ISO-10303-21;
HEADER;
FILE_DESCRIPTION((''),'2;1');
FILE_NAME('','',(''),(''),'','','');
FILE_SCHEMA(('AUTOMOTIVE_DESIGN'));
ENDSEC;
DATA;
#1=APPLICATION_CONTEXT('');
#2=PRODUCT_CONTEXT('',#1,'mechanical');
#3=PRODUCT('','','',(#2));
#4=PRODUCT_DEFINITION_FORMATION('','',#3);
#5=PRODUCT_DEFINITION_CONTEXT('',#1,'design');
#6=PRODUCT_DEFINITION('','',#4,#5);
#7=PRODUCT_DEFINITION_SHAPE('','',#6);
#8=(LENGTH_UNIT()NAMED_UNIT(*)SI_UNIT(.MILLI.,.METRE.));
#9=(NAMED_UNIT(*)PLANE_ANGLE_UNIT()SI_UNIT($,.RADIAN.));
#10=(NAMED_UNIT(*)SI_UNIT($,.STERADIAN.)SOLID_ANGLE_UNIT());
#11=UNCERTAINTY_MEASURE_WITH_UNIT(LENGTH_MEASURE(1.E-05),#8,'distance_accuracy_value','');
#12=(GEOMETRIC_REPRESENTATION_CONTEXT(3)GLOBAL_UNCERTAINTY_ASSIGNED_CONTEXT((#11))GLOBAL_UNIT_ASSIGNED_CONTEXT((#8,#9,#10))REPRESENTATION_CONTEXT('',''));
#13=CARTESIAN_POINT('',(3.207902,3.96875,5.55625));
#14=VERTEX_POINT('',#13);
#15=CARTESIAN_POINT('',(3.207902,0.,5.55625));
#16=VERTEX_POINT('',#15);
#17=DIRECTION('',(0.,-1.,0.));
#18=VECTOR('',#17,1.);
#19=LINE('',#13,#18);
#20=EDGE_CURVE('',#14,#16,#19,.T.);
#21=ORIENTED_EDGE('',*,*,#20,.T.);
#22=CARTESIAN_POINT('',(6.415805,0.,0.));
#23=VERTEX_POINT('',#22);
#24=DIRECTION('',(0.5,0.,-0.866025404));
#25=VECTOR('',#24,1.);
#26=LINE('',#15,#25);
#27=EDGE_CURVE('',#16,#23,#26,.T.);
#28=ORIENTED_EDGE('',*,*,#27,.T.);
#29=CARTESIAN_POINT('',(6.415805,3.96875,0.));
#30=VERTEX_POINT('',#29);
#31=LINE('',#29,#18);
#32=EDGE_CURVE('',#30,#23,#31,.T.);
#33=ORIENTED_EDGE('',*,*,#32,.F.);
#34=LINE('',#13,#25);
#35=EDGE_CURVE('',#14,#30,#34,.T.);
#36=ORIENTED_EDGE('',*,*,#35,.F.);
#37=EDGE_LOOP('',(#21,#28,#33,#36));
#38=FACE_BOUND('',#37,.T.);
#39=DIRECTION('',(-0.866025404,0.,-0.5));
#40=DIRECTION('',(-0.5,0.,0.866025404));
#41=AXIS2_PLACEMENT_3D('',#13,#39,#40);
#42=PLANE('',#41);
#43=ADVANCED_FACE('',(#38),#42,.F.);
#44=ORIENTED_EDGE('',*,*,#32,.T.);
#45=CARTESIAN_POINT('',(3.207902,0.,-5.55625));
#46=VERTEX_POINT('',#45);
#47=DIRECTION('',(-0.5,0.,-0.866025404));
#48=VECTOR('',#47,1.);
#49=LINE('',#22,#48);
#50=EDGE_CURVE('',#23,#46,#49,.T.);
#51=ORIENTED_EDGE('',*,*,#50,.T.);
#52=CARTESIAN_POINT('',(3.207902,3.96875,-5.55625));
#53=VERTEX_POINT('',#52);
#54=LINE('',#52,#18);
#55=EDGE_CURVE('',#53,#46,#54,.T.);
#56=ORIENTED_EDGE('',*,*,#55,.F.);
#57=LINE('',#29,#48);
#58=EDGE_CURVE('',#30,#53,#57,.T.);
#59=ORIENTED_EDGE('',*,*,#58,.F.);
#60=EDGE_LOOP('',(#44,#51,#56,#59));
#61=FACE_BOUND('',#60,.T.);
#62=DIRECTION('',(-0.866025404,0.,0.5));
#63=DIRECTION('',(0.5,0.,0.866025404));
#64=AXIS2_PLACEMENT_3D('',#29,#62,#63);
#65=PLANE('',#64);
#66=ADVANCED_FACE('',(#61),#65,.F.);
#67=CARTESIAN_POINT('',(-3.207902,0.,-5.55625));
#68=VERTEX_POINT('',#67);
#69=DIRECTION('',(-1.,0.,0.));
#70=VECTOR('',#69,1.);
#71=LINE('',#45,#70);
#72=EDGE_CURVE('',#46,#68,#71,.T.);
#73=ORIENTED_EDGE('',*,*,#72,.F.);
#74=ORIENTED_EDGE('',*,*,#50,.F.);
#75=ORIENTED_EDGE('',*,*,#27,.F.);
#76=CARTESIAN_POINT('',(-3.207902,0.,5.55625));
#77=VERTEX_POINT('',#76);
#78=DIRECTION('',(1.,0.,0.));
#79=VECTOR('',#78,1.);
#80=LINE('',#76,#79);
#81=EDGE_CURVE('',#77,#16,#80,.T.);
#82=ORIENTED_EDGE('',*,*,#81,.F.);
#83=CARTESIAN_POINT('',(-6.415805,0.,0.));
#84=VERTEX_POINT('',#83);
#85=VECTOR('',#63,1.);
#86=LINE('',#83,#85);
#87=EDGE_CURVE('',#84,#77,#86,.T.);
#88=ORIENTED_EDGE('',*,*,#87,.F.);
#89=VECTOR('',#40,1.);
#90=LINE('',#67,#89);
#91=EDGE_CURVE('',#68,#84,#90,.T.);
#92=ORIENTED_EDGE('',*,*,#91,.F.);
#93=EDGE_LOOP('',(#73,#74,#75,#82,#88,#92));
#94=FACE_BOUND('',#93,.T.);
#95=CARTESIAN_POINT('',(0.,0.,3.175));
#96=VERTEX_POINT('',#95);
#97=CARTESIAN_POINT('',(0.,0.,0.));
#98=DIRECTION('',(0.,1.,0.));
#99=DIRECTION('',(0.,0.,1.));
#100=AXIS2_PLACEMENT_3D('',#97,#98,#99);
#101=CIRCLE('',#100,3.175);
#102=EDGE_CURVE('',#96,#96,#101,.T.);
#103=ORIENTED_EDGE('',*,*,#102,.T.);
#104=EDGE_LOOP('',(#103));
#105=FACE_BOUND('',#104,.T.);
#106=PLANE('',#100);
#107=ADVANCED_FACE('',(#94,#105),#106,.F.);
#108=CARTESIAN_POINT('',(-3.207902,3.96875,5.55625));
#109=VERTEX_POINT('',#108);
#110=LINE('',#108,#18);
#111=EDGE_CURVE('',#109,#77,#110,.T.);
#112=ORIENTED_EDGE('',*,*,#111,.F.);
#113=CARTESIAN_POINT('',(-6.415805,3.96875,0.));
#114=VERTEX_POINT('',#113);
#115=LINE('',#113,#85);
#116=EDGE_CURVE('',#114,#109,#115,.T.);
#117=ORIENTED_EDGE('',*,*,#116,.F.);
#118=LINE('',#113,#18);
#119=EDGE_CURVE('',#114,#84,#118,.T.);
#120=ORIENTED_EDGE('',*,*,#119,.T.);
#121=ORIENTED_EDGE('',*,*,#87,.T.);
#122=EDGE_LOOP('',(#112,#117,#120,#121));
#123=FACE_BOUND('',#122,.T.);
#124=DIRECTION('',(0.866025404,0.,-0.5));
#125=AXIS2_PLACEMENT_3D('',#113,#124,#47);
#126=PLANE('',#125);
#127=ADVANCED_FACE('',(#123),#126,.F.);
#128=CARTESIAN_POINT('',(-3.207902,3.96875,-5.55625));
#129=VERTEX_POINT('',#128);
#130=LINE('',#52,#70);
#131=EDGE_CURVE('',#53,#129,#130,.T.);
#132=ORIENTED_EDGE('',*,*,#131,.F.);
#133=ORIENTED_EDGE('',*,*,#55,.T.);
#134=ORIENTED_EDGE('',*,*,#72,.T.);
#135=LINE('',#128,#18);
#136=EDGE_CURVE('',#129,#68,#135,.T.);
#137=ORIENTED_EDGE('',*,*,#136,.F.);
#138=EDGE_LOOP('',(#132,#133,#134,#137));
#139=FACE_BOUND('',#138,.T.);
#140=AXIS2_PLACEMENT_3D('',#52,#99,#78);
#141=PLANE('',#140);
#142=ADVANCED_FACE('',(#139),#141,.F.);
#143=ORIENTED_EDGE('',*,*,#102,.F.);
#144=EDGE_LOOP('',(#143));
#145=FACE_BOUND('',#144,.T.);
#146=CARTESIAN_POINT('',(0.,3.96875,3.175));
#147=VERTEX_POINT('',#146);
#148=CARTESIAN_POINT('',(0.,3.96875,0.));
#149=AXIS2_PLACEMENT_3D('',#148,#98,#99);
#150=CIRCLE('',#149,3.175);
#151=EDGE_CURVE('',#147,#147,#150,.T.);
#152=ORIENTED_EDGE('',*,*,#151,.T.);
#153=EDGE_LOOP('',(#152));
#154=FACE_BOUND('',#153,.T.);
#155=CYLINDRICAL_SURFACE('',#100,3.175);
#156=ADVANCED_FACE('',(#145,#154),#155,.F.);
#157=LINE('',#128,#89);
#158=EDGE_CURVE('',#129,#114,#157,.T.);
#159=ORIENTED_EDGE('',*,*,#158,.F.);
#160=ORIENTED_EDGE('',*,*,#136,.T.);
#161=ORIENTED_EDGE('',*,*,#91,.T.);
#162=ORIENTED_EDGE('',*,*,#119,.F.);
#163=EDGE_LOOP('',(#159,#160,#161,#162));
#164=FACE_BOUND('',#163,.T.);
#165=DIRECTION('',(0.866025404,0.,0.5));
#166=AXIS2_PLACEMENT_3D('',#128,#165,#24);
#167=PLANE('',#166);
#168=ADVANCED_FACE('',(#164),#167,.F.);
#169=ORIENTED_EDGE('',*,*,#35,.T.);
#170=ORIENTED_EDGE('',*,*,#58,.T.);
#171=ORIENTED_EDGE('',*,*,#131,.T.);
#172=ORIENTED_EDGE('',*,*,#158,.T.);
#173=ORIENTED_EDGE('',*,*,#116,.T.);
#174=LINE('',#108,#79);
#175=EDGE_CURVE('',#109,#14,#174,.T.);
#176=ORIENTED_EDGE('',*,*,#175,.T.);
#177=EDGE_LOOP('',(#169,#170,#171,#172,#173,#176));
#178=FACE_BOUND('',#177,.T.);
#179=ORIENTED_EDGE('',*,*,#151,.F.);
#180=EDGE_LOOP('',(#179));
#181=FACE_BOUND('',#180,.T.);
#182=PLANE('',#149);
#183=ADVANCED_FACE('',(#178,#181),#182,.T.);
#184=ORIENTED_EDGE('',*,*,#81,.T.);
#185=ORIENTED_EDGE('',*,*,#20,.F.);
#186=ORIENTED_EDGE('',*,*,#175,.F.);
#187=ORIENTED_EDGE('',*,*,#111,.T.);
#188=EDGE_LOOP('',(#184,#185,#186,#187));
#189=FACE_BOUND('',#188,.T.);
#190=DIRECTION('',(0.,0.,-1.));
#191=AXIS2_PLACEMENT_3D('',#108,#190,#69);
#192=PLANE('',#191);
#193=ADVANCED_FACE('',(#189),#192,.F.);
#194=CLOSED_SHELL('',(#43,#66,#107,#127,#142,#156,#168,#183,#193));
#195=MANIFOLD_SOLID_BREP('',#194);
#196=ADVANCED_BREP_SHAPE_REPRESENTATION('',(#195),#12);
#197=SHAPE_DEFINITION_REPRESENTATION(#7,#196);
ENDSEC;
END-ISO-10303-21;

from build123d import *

# Parameters (mm, degrees)
BOSS_EXTRU_1_DEPTH      = 3.96875
ESQUISSE2_R             = 3.175
ENL_V_MAT_EXTRU_1_DEPTH = 10.369388598


with BuildPart() as part:
    # Esquisse1 → Boss.-Extru.1 (new body)
    with BuildSketch(Plane(origin=(0, 0, 0), x_dir=(1, 0, 0), z_dir=(0, 1, 0))):
        Polygon((3.207902433, 5.55625), (-3.207902433, 5.55625), (-6.415804866, 0), (-3.207902433, -5.55625), (3.207902433, -5.55625), (6.415804866, 0), align=None)
    extrude(amount=BOSS_EXTRU_1_DEPTH)

    # Esquisse2 → Enlèv. mat.-Extru.1 (cut, through all)
    with BuildSketch(Plane(origin=(0, 3.96875, 0), x_dir=(1, 0, 0), z_dir=(0, 1, 0))):
        with Locations(Location((0, 0, 0), (0, 0, 270))):
            Circle(ESQUISSE2_R)
    extrude(amount=-ENL_V_MAT_EXTRU_1_DEPTH, mode=Mode.SUBTRACT)


solid = part.part
